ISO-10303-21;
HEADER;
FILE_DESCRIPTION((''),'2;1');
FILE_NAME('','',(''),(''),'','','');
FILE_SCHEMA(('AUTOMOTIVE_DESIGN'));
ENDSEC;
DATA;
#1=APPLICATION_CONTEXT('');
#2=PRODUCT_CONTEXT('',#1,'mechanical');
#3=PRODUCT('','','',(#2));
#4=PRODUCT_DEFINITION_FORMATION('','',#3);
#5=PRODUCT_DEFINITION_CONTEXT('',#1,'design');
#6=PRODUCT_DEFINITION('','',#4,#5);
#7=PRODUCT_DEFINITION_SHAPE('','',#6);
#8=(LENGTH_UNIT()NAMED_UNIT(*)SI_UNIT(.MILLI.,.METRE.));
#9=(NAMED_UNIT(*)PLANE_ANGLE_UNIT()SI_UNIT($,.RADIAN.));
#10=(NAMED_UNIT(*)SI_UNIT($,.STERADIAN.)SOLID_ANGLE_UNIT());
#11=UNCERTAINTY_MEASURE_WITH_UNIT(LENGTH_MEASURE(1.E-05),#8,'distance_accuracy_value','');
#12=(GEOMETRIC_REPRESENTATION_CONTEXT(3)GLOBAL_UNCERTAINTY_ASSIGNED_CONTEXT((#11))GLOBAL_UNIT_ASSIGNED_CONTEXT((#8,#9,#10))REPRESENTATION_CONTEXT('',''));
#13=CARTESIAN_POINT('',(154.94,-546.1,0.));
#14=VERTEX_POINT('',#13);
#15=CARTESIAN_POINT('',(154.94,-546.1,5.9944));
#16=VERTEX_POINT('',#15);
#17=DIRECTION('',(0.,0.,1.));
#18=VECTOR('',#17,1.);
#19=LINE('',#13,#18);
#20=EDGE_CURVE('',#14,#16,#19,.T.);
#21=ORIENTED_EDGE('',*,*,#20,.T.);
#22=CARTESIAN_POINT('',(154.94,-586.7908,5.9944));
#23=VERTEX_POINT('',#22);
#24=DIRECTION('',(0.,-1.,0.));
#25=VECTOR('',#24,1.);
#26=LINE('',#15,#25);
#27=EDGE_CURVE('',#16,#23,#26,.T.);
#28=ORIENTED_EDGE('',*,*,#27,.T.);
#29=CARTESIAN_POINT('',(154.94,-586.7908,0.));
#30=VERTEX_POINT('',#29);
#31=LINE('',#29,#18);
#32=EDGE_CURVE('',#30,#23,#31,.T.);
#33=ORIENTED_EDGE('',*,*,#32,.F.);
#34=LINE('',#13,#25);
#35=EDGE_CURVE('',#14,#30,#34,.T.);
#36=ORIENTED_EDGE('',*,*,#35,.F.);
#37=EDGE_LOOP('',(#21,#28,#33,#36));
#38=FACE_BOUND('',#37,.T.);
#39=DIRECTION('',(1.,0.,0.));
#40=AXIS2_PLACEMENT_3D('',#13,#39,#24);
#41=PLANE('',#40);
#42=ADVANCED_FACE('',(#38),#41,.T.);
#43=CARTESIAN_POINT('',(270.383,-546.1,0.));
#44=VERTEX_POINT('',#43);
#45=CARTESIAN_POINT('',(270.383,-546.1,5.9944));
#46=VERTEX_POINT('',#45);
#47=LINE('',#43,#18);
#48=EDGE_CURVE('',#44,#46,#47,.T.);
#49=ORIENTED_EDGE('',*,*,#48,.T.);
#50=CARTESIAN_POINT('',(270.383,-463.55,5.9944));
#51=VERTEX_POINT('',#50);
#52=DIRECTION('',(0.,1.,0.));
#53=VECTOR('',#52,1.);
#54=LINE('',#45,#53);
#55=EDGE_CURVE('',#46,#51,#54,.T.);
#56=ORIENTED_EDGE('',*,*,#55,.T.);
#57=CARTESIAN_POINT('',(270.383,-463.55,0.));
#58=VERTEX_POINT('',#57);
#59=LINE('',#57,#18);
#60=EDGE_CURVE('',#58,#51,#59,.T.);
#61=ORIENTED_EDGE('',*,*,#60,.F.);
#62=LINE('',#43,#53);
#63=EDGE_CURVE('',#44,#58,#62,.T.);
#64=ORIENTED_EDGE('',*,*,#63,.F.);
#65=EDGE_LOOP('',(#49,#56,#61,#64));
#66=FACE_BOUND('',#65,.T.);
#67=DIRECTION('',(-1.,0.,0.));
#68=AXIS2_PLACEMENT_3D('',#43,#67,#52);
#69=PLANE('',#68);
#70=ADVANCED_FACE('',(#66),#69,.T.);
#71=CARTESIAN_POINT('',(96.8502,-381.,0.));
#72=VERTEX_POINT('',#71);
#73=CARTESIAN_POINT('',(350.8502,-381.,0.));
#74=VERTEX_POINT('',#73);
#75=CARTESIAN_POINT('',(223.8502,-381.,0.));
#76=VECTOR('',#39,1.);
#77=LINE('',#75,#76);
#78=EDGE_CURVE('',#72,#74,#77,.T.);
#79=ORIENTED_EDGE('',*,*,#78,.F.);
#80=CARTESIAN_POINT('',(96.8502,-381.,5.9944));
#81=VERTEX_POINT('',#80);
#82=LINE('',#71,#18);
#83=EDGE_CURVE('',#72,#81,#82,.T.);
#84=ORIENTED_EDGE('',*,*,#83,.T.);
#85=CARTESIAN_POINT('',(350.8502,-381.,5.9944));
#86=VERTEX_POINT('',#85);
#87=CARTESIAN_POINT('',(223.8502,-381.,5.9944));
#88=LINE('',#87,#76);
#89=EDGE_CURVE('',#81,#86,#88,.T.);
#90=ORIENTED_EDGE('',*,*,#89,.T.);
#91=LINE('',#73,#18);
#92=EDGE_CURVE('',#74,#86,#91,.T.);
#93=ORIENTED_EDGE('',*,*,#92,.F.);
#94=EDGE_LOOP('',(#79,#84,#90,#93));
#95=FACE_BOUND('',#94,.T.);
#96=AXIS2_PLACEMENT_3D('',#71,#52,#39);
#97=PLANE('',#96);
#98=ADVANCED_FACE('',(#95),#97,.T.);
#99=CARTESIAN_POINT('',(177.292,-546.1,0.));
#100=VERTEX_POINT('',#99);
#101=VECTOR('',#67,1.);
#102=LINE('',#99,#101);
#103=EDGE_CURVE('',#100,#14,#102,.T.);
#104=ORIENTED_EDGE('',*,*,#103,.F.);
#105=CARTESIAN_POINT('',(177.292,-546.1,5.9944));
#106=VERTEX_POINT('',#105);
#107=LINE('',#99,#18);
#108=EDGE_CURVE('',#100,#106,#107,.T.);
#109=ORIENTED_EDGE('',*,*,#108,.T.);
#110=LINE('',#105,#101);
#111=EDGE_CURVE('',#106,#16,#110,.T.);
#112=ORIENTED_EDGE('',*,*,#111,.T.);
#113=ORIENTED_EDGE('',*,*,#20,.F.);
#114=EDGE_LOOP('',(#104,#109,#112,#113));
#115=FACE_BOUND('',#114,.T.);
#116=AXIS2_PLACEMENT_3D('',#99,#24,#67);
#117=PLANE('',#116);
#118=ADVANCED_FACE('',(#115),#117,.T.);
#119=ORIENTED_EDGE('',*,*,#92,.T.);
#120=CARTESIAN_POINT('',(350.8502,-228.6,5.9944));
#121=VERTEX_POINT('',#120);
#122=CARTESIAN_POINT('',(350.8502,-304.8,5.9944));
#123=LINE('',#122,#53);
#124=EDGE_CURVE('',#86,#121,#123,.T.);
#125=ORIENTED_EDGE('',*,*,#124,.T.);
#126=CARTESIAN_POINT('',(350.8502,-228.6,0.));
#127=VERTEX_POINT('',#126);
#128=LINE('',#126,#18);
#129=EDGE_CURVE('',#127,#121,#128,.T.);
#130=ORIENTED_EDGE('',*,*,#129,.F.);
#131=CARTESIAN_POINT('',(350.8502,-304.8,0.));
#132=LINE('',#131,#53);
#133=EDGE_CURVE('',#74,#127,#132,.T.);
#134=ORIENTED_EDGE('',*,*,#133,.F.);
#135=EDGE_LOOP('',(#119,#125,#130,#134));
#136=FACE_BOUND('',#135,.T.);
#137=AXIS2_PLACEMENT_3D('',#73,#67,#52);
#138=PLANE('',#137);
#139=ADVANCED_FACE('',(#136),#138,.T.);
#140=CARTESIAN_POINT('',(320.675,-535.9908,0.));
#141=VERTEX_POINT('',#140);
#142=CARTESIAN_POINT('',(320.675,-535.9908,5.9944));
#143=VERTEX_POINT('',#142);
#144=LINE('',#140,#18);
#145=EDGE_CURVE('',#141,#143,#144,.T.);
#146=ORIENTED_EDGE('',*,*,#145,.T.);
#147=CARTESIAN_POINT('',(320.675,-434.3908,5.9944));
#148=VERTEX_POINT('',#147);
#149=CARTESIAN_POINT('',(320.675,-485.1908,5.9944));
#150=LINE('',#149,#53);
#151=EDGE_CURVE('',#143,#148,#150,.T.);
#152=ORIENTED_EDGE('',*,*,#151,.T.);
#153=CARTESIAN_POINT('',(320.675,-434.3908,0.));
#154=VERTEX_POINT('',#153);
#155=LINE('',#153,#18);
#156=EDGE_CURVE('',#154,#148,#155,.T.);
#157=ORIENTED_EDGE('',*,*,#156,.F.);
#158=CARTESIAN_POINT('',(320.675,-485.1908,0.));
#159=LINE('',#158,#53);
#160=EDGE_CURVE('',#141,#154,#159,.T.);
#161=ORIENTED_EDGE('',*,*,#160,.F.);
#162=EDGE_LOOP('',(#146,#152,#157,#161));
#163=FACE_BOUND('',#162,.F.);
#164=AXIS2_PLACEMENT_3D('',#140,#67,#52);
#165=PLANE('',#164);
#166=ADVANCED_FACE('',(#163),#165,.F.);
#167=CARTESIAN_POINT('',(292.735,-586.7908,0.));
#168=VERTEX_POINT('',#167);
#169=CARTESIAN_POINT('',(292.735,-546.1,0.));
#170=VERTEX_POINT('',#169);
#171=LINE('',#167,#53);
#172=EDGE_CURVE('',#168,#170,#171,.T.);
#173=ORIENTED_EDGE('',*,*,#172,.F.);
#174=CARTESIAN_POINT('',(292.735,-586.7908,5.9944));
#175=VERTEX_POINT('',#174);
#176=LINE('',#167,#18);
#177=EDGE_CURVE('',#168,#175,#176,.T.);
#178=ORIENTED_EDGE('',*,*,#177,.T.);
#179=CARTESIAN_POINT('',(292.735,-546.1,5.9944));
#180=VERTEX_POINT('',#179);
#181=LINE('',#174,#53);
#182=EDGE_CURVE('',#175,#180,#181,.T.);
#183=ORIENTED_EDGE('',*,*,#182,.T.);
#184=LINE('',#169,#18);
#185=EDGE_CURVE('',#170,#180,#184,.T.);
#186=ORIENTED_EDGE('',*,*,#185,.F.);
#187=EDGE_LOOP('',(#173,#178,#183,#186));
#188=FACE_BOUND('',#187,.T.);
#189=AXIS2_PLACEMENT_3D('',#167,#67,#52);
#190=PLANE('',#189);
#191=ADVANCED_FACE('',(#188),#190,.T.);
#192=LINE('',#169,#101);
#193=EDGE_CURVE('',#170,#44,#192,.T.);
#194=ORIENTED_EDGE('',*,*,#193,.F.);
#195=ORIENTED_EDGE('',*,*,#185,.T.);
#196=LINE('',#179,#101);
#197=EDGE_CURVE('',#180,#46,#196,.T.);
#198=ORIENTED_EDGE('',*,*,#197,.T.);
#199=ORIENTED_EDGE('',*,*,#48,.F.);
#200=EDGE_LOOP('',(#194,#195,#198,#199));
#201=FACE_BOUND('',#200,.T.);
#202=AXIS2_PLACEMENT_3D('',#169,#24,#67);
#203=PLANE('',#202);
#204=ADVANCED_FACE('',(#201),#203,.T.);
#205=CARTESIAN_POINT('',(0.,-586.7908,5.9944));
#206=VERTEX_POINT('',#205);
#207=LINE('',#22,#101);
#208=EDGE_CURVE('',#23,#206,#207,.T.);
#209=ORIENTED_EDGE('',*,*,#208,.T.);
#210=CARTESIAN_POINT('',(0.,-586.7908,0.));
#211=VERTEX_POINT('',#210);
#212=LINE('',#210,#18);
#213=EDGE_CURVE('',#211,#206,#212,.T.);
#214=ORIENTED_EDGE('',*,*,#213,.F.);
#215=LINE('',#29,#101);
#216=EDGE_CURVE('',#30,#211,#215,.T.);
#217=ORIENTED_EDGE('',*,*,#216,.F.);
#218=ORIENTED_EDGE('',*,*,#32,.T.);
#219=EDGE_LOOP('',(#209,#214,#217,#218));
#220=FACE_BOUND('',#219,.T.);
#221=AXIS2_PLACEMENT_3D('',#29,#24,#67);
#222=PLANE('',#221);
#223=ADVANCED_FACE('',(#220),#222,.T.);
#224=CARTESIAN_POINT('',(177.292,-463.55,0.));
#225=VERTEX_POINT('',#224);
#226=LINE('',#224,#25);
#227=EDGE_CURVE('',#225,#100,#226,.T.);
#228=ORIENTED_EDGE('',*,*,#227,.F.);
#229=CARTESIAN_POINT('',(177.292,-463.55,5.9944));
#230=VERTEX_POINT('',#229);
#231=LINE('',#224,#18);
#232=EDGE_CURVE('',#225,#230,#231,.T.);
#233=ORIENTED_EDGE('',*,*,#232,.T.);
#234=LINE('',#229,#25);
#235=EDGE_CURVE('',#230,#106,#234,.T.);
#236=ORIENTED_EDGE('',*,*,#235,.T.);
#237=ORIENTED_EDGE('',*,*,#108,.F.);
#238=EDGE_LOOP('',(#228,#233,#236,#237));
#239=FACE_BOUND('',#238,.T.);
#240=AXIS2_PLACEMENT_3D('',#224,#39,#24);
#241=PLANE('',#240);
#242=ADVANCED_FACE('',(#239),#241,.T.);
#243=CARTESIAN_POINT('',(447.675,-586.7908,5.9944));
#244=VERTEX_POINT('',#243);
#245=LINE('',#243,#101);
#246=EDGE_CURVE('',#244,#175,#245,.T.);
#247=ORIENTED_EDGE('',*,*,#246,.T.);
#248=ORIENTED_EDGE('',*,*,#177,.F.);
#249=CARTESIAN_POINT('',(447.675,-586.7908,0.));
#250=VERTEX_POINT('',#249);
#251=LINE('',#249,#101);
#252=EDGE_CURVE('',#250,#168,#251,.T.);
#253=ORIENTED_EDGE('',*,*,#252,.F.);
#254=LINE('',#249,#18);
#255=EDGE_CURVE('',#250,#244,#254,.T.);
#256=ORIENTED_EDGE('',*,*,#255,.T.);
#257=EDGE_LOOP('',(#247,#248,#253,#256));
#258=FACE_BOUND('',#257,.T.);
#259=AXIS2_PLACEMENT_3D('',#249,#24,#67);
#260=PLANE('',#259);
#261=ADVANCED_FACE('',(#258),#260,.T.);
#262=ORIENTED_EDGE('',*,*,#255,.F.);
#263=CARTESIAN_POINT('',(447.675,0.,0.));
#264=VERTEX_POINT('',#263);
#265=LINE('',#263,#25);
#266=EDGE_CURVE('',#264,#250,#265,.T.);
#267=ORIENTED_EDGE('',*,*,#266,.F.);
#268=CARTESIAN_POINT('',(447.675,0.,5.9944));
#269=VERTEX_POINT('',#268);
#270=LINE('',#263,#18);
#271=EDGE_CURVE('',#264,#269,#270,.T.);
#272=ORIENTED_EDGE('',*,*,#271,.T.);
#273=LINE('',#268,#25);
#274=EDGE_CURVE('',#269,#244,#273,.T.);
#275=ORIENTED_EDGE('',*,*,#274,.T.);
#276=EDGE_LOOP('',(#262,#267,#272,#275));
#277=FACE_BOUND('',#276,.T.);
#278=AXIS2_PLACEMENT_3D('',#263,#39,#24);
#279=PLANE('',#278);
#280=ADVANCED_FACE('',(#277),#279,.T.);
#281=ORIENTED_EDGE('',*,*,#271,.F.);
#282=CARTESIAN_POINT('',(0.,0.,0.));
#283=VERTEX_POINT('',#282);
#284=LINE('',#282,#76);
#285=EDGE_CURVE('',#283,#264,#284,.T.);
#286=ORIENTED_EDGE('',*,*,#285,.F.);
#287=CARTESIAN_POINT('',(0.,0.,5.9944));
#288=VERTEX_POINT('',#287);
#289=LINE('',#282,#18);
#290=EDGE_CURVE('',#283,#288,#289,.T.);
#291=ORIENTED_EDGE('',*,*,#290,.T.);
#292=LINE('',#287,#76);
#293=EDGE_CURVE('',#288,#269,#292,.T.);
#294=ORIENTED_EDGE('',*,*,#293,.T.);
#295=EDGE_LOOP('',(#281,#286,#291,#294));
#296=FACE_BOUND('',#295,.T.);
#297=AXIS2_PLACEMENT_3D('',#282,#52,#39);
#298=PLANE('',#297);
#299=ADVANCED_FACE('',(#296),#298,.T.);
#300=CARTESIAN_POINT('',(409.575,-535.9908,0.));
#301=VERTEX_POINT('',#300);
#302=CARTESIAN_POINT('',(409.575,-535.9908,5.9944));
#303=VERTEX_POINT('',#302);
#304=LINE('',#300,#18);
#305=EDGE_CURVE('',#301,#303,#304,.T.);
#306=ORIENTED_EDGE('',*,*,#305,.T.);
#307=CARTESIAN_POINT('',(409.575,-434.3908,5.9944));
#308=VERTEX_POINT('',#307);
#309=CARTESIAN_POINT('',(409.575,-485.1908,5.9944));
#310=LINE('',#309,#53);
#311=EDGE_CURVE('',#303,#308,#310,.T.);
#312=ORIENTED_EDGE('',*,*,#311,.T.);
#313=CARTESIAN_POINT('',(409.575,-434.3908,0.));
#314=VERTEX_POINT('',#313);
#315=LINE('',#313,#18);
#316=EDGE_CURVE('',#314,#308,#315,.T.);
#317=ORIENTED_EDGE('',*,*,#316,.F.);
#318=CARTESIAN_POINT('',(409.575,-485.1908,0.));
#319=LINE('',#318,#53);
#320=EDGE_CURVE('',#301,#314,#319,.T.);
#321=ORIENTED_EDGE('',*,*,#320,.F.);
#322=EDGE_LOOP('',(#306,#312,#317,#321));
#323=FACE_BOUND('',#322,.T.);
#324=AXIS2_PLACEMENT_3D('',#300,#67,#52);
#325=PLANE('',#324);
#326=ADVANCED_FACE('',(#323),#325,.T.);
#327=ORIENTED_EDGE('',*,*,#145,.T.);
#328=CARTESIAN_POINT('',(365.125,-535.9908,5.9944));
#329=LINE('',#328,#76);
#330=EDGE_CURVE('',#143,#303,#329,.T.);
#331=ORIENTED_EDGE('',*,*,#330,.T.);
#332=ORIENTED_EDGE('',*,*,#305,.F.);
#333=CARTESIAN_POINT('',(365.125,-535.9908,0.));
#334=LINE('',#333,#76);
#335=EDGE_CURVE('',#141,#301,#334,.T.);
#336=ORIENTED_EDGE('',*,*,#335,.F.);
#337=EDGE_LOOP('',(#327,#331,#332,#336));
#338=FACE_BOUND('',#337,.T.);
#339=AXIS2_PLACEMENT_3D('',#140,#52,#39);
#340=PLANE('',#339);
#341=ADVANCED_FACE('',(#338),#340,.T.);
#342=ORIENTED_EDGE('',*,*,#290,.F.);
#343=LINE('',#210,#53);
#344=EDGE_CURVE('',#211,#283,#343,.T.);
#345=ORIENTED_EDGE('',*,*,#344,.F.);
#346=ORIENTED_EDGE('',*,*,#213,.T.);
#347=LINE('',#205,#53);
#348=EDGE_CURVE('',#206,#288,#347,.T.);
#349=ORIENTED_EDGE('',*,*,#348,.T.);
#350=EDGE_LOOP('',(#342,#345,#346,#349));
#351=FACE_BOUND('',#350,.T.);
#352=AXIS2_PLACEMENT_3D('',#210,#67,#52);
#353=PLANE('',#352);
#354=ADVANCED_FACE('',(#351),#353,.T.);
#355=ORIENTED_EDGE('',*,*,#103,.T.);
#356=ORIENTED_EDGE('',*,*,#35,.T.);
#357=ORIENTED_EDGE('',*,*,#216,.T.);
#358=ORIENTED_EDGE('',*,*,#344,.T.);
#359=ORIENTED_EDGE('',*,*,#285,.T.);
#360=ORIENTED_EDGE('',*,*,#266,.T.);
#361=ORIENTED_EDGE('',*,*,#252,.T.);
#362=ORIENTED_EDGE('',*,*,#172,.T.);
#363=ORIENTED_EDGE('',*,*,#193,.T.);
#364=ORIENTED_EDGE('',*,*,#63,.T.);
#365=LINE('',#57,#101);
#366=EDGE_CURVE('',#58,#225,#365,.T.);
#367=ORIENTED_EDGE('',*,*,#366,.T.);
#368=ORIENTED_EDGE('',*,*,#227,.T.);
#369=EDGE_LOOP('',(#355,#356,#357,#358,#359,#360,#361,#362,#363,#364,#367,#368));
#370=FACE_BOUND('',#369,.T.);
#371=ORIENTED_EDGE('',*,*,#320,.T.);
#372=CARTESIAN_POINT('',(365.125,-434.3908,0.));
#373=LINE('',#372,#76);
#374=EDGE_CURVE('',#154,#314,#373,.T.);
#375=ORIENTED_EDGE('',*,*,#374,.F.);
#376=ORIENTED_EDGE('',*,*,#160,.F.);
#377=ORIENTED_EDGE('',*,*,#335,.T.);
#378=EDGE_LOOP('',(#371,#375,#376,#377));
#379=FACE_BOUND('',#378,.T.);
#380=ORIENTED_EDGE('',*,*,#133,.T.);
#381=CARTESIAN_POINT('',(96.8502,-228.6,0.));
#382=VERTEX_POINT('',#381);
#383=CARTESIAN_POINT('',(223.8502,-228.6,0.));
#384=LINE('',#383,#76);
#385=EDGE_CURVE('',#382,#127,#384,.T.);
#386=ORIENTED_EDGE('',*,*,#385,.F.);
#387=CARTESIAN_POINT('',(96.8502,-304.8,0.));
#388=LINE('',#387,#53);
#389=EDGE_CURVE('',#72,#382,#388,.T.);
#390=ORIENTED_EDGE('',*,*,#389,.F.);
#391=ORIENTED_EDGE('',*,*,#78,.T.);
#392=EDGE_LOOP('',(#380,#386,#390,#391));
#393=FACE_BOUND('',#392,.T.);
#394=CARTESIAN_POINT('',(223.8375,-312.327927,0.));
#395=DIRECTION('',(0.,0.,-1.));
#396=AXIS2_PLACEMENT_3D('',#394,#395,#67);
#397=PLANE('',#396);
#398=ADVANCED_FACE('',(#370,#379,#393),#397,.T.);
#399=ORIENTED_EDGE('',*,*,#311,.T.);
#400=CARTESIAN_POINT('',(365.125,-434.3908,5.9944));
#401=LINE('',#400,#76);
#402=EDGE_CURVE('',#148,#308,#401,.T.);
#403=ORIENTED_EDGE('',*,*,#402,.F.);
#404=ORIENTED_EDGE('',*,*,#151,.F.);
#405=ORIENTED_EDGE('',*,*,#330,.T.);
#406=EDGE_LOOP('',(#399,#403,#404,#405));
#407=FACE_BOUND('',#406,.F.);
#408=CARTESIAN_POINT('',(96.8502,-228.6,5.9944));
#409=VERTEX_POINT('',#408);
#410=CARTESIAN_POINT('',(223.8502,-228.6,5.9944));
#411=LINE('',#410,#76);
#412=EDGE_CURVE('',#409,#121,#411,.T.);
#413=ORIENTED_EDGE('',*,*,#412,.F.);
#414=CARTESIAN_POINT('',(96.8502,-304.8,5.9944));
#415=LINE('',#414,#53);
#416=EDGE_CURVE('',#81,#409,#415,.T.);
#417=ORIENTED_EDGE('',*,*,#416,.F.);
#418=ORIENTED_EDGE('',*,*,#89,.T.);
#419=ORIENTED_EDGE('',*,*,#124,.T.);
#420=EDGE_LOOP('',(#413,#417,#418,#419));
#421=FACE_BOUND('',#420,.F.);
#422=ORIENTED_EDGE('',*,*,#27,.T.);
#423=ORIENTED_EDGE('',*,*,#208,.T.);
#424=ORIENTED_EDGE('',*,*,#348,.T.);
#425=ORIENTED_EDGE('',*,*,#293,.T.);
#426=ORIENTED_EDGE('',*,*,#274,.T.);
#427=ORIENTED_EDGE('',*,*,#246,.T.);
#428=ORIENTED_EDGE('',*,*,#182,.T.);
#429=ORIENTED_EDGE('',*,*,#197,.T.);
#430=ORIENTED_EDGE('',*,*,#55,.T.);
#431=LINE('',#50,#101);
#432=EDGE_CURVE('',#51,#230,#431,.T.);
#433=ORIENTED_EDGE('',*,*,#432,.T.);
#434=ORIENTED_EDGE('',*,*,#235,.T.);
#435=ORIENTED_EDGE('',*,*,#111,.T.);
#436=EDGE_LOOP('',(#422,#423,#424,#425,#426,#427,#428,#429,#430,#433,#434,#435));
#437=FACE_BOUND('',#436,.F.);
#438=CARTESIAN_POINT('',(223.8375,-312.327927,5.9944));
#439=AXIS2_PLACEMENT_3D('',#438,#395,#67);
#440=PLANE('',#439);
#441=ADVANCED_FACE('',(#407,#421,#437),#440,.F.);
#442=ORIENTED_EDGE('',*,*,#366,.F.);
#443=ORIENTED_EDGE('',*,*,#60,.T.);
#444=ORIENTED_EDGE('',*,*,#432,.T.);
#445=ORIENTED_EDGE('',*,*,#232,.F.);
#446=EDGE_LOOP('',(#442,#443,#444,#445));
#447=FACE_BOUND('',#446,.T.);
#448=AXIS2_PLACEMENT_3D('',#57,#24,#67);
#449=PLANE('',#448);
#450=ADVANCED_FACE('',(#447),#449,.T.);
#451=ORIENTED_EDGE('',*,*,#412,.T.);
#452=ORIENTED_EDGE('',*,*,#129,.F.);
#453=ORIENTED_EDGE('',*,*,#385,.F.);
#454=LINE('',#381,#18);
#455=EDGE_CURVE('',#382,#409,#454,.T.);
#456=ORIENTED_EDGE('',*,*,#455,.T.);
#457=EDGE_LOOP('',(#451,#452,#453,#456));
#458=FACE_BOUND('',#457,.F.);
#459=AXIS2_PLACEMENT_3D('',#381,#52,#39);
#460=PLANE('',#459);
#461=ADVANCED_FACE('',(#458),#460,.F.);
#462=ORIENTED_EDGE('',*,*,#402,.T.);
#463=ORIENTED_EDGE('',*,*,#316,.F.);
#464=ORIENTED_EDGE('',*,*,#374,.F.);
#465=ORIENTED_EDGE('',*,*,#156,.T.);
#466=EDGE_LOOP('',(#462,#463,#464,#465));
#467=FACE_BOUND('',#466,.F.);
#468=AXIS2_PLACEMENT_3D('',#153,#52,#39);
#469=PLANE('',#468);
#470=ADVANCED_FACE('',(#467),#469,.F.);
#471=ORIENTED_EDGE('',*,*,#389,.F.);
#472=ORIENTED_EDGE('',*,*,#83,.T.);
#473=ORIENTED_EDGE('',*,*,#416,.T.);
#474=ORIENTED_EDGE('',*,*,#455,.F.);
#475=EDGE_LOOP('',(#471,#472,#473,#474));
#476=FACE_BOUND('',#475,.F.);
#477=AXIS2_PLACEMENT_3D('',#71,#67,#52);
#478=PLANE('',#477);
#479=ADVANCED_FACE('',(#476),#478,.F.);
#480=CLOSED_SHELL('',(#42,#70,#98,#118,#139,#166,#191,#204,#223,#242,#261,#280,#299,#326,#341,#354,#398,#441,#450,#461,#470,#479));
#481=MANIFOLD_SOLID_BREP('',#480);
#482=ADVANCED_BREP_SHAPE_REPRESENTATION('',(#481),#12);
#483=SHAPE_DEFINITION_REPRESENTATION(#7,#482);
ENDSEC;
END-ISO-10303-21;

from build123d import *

# Parameters (mm, degrees)
SKETCH_W      = 88.9
SKETCH_H      = 101.6
SKETCH_W_2    = 254
SKETCH_H_2    = 152.4
EXTRUDE_DEPTH = 5.9944


with BuildPart() as part:
    # Sketch → Extrude (new body)
    with BuildSketch(Plane.XY):
        Polygon((0, 0), (447.675, 0), (447.675, -586.7908), (292.735, -586.7908), (292.735, -546.1), (270.383, -546.1), (270.383, -463.55), (177.292, -463.55), (177.292, -546.1), (154.94, -546.1), (154.94, -586.7908), (0, -586.7908), align=None)
        with Locations((365.125, -485.1908)):
            Rectangle(SKETCH_W, SKETCH_H, mode=Mode.SUBTRACT)
        with Locations((223.8502, -304.8)):
            Rectangle(SKETCH_W_2, SKETCH_H_2, mode=Mode.SUBTRACT)
    extrude(amount=EXTRUDE_DEPTH)


solid = part.part
